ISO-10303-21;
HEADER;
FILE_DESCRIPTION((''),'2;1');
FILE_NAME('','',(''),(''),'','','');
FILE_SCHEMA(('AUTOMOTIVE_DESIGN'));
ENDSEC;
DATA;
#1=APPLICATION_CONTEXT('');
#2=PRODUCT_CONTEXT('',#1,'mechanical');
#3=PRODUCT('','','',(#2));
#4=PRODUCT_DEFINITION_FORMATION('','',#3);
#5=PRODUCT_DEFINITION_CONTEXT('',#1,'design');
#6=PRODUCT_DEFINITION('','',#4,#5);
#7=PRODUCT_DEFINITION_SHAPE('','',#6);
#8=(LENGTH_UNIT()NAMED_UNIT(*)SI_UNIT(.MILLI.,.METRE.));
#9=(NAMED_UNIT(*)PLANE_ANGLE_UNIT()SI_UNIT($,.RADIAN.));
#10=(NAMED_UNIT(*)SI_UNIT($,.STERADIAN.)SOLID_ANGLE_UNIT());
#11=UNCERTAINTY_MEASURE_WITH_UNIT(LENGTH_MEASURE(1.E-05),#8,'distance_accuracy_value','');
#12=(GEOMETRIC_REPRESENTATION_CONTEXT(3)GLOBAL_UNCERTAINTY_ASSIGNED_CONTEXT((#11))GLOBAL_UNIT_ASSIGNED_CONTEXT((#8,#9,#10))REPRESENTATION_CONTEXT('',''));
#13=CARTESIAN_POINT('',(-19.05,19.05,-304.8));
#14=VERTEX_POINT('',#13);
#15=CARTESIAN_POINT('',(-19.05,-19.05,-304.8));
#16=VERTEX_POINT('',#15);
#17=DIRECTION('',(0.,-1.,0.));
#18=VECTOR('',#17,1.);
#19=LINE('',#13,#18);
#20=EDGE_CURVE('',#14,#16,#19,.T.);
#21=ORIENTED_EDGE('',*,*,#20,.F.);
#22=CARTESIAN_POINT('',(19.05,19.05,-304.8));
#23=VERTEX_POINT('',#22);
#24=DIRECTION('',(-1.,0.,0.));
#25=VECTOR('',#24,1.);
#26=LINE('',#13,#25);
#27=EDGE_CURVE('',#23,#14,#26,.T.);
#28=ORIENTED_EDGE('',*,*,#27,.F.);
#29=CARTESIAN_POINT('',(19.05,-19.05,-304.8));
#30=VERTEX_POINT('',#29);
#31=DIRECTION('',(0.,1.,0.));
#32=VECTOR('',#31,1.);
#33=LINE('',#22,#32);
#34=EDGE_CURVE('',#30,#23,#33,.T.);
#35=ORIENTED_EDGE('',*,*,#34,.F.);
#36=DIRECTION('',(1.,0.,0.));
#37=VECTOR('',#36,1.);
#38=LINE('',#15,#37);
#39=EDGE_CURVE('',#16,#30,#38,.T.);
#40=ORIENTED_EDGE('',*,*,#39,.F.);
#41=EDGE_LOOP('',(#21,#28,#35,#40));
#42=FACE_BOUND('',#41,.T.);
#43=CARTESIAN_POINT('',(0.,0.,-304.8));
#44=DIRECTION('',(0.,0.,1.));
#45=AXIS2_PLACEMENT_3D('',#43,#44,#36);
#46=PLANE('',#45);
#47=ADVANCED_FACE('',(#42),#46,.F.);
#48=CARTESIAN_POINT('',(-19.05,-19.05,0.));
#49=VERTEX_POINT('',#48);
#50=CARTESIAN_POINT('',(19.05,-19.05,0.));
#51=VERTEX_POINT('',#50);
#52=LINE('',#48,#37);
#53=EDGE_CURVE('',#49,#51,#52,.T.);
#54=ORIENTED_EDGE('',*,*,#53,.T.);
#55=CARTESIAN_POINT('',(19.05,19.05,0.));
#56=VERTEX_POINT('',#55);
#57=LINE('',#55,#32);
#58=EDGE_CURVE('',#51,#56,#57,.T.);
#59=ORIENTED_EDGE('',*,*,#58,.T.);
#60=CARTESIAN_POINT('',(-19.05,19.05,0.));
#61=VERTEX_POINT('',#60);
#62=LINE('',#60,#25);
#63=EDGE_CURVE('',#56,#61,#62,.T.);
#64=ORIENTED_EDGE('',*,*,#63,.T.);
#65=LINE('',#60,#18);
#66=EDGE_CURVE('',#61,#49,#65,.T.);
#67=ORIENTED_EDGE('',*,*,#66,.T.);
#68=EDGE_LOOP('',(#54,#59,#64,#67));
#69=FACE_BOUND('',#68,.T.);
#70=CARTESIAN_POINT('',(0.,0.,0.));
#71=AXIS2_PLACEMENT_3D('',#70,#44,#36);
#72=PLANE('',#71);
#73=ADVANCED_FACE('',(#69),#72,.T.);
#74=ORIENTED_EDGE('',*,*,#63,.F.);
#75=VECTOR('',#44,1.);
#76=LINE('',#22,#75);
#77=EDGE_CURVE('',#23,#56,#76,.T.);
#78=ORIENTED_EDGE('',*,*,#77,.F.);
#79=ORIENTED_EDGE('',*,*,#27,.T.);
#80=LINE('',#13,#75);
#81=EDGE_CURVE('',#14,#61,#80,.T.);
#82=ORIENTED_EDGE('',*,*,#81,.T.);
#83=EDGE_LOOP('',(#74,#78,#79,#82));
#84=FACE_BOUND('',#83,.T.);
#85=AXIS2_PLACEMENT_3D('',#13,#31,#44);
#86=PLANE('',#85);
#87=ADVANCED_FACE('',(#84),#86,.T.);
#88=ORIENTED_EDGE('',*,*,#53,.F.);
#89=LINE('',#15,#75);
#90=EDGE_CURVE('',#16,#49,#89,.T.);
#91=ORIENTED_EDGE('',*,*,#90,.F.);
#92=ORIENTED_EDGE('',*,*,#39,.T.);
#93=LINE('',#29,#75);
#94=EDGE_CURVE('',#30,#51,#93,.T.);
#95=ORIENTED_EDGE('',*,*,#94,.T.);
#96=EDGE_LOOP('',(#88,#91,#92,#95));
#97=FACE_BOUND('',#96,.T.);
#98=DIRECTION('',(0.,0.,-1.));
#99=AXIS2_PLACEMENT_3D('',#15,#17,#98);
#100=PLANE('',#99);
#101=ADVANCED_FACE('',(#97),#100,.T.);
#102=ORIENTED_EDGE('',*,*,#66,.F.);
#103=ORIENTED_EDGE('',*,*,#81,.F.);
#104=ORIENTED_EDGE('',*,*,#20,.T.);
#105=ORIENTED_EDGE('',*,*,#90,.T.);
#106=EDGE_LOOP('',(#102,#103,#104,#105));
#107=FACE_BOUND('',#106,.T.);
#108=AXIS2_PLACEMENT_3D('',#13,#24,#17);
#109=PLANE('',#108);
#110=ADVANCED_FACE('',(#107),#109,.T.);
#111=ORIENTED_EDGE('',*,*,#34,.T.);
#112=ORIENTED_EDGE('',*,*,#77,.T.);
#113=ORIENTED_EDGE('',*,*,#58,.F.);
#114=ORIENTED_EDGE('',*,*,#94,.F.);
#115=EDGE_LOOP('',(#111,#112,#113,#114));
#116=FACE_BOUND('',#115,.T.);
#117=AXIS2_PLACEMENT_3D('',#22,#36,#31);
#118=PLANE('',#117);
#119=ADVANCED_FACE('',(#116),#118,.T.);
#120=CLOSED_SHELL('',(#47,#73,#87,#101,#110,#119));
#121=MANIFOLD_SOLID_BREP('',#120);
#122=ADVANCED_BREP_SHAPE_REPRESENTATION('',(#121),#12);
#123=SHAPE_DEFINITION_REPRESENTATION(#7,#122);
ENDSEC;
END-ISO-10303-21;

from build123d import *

# Parameters (mm, degrees)
SKETCH1_W           = 38.1
SKETCH1_H           = 38.1
BOSS_EXTRUDE1_DEPTH = 304.8


with BuildPart() as part:
    # Sketch1 → Boss-Extrude1 (new body)
    with BuildSketch(Plane.XY):
        Rectangle(SKETCH1_W, SKETCH1_H)
    extrude(amount=-BOSS_EXTRUDE1_DEPTH)


solid = part.part
